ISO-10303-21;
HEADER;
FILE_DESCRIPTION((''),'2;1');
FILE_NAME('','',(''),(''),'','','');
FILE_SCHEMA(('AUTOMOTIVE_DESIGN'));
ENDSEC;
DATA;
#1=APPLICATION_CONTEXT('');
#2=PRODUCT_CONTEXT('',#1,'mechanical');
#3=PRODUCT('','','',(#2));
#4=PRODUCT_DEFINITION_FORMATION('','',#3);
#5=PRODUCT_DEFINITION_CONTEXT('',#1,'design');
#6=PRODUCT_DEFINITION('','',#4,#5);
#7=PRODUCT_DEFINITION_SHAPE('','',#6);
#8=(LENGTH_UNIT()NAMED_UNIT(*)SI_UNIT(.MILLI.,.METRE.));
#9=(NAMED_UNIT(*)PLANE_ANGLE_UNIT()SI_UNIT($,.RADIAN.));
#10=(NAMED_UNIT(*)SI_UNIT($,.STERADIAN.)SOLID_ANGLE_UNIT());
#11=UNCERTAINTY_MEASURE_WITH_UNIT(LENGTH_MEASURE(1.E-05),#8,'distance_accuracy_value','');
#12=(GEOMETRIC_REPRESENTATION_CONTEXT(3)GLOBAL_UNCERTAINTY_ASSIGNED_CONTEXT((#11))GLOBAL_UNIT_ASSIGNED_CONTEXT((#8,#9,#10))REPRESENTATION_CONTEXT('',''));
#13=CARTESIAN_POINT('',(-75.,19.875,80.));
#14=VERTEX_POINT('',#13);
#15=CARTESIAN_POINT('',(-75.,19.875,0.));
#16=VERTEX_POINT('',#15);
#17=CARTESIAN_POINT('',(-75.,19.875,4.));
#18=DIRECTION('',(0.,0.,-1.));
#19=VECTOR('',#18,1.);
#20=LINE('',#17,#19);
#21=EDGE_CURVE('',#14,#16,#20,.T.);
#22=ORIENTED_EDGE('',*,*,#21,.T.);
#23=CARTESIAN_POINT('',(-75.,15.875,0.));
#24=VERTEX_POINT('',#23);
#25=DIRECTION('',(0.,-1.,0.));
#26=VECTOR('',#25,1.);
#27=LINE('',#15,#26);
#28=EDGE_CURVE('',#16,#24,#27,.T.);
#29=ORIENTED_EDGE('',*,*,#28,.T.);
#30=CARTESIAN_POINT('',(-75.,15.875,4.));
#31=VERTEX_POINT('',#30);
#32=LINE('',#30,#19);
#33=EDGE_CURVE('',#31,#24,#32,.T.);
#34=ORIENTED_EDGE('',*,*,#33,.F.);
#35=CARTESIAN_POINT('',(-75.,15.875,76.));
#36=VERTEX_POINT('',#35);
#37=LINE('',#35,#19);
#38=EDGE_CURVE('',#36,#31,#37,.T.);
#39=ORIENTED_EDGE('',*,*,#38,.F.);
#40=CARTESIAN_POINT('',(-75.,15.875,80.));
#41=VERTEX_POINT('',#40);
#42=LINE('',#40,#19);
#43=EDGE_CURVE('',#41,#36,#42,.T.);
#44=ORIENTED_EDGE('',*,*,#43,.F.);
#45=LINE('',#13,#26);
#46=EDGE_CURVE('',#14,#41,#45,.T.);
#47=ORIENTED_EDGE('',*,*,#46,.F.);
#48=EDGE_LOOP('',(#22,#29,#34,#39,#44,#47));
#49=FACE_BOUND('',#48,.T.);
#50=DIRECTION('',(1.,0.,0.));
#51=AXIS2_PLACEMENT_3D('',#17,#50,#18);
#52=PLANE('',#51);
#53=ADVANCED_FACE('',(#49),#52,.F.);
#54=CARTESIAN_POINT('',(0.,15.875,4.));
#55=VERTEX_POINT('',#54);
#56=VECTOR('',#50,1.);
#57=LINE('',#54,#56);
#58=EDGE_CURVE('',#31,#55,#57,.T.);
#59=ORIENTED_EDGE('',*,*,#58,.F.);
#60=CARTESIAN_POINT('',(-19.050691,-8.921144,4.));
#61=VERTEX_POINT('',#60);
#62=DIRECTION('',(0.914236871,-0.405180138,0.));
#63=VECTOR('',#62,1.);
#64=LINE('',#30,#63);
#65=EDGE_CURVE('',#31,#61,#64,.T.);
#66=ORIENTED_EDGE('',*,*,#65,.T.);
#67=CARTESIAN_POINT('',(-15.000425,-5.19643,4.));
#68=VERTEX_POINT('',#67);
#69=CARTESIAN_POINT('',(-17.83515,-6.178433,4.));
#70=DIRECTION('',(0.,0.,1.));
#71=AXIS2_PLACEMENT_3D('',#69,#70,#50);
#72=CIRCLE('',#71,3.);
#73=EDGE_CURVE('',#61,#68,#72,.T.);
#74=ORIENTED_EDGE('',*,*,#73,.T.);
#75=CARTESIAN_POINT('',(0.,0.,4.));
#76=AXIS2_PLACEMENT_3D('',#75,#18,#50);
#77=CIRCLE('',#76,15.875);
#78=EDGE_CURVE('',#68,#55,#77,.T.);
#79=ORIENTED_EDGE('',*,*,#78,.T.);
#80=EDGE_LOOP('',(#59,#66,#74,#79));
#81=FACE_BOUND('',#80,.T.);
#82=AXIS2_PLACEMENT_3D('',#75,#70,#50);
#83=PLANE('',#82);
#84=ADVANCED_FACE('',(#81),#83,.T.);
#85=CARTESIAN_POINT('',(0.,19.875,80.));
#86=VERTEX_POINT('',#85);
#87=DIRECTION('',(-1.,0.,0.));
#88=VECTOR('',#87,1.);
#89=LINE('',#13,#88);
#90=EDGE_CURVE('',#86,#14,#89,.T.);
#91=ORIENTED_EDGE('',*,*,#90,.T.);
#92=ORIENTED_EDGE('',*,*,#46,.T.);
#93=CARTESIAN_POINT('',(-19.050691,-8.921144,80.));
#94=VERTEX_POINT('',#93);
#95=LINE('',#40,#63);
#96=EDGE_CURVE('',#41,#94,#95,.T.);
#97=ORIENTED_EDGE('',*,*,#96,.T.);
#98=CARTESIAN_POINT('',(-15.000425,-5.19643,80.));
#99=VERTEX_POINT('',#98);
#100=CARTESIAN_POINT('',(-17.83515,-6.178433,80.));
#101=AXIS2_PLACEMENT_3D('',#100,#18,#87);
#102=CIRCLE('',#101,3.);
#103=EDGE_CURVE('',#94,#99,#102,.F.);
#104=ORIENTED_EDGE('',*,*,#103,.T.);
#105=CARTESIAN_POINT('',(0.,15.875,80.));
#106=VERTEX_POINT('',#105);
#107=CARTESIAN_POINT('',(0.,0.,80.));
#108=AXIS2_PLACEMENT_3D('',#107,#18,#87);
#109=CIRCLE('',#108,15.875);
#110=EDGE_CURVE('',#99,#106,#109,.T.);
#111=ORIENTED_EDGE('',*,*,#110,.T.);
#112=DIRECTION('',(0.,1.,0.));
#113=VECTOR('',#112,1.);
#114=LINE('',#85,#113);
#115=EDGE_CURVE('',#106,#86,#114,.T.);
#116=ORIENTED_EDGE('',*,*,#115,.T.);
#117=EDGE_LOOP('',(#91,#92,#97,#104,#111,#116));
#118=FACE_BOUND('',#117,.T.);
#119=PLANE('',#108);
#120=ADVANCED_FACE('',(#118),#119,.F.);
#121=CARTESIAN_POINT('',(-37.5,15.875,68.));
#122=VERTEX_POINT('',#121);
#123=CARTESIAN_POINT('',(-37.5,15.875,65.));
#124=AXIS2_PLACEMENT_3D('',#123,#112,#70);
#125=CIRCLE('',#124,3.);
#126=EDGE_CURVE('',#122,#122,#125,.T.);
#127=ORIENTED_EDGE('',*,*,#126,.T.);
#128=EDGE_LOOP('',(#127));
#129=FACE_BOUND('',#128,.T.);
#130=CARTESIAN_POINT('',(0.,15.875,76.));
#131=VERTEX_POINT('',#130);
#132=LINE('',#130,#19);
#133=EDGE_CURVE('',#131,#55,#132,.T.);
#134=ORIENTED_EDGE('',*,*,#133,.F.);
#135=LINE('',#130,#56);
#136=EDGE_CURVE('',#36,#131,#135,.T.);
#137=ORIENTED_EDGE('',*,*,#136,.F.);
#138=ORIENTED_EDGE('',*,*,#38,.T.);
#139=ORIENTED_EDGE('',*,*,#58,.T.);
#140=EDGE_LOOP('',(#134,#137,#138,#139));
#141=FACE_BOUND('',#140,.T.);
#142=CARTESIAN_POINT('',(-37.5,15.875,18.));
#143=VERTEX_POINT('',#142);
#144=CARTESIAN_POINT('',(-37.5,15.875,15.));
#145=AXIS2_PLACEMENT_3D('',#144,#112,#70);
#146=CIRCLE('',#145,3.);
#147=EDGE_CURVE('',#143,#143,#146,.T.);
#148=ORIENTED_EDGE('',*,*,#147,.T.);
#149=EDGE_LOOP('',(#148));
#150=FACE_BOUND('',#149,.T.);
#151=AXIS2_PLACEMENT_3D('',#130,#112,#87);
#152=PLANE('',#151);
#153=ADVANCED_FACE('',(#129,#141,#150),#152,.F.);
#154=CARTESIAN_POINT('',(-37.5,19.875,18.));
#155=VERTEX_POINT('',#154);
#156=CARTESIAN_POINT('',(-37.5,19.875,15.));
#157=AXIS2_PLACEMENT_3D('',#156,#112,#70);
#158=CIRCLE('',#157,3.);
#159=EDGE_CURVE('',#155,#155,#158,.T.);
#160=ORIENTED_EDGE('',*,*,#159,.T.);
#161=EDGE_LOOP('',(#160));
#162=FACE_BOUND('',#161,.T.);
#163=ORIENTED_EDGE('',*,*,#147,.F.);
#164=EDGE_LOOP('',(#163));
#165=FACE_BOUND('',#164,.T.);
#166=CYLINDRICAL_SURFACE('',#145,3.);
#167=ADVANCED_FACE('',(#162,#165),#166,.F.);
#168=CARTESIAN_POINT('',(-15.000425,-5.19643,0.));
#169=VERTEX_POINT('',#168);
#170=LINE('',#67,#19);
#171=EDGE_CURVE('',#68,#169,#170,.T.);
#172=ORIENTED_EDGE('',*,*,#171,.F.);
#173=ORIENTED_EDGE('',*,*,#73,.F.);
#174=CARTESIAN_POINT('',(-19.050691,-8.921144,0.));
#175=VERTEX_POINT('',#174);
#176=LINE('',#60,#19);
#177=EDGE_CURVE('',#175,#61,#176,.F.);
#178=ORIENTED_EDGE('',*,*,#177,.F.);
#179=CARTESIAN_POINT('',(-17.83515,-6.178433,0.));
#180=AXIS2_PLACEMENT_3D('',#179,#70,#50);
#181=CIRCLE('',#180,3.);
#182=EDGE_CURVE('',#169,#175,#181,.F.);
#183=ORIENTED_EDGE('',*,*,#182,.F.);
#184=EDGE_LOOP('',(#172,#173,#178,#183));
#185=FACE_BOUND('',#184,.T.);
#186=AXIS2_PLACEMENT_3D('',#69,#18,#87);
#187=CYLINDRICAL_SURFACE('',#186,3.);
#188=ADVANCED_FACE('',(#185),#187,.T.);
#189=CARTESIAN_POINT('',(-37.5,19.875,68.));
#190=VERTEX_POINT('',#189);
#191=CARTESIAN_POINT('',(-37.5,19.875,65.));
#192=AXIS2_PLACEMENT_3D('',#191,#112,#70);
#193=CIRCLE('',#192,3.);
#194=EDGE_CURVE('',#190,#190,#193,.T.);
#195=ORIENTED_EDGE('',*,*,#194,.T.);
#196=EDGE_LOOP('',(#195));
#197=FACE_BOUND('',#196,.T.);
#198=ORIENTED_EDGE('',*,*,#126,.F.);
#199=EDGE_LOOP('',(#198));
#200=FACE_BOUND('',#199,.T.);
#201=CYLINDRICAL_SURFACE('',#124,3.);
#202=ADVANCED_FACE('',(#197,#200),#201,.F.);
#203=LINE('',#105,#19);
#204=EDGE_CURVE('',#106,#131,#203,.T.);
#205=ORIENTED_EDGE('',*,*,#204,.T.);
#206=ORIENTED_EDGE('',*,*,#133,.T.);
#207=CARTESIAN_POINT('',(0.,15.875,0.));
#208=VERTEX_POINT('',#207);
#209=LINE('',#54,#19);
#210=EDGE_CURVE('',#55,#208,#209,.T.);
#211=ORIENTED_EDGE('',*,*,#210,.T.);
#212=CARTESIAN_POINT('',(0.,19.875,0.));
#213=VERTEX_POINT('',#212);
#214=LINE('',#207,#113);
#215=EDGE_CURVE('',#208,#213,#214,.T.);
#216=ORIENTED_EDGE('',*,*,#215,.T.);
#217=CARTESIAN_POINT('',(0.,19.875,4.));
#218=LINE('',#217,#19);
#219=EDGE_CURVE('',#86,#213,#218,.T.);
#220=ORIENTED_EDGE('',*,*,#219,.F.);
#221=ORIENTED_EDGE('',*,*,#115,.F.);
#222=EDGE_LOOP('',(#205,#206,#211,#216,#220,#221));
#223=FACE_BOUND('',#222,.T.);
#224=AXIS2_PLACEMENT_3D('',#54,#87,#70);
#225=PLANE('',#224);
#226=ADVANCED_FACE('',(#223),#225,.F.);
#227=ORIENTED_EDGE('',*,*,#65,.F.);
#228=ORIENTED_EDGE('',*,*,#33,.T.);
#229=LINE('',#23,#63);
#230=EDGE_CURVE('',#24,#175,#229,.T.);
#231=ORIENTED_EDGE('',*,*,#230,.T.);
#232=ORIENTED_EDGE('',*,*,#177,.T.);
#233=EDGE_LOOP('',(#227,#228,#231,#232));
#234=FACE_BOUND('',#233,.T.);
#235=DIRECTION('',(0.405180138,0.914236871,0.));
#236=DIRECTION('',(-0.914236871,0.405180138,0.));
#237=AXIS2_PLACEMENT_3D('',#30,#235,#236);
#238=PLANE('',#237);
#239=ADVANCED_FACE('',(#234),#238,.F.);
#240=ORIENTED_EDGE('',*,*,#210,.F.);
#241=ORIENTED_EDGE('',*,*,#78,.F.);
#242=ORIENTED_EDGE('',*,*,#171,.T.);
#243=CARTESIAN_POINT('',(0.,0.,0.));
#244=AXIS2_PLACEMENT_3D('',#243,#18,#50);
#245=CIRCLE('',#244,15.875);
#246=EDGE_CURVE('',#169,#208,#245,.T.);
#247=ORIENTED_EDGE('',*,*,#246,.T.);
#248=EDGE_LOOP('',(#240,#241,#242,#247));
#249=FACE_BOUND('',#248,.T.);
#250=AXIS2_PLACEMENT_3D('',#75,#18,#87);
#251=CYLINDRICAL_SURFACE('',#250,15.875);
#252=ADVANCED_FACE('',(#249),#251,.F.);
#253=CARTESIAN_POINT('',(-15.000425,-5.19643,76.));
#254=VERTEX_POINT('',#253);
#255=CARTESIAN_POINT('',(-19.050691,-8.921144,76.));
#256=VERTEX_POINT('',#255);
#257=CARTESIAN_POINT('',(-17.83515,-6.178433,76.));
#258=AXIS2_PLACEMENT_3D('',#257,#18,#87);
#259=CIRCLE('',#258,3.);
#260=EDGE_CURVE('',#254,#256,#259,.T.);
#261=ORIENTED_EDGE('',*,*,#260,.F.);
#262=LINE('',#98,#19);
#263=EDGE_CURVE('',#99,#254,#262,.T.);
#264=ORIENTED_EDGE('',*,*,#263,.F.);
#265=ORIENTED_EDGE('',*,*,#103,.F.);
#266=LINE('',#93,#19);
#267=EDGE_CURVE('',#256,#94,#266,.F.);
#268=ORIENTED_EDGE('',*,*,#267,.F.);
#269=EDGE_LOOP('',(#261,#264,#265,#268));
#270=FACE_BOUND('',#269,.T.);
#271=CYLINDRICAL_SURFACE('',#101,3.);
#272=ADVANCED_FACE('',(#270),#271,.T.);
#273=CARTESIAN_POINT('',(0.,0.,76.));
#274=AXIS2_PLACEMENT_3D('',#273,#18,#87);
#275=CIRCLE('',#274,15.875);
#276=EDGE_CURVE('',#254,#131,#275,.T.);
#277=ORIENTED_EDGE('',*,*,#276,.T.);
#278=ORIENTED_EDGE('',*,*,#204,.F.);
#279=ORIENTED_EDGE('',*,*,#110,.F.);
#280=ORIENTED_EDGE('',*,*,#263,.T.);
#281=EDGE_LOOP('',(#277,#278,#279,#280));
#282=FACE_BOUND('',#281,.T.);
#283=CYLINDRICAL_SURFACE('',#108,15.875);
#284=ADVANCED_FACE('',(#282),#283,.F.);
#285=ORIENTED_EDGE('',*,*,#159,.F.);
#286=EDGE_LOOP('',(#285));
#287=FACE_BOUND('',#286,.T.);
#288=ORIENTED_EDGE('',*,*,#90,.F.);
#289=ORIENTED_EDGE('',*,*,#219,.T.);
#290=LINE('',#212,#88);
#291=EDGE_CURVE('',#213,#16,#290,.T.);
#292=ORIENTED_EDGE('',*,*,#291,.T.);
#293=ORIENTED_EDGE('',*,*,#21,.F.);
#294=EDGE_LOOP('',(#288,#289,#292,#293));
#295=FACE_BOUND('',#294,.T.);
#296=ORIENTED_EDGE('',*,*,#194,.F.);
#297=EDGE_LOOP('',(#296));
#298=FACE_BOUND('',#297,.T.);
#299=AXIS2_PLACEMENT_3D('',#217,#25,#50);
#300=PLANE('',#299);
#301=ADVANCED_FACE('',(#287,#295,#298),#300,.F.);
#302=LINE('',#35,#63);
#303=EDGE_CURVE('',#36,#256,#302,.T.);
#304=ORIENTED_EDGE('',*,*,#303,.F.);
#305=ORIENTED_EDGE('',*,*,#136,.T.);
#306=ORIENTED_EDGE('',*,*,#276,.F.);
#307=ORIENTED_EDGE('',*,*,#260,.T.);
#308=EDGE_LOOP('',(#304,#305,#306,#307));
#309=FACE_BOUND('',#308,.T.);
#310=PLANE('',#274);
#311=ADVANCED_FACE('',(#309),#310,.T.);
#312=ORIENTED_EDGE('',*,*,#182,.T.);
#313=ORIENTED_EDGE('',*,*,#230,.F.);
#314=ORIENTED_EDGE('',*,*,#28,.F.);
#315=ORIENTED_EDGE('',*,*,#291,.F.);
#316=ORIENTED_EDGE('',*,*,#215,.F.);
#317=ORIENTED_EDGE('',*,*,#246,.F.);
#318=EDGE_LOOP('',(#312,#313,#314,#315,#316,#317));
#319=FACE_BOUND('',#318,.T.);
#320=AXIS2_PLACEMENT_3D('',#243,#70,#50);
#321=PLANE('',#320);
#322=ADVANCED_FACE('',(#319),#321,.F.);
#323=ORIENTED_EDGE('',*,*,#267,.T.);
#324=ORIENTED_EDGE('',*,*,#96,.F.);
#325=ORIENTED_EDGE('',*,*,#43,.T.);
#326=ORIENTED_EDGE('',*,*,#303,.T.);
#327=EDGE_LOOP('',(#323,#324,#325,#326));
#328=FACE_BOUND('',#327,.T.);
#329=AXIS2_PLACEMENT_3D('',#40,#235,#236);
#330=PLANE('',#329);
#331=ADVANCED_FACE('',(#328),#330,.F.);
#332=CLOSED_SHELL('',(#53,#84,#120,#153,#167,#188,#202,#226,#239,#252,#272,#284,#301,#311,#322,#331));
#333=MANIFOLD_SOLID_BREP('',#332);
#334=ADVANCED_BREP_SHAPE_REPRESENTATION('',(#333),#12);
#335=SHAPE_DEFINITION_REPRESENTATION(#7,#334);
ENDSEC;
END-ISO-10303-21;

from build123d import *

# Parameters (mm, degrees)
BOSS_EXTRUDE1_DEPTH = 4
SKETCH2_W           = 75
SKETCH2_H           = 4
BOSS_EXTRUDE2_DEPTH = 72
BOSS_EXTRUDE3_DEPTH = 4
SKETCH5_R           = 3
CUT_EXTRUDE1_DEPTH  = 4
FILLET1_R           = 3


with BuildPart() as part:
    # Sketch1 → Boss-Extrude1 (new body)
    with BuildSketch(Plane.XY):
        with BuildLine():
            Line((0, 15.875), (0, 19.875))
            Line((0, 19.875), (-75, 19.875))
            Line((-75, 19.875), (-75, 15.875))
            Line((-75, 15.875), (-6.432235, -14.51351))
            ThreePointArc((-6.432235, -14.51351), (-15.530898, 3.287373), (0, 15.875))
        make_face()
    extrude(amount=BOSS_EXTRUDE1_DEPTH)

    # Sketch2 → Boss-Extrude2 (add)
    with BuildSketch(Plane.XY.offset(4)):
        with Locations((-37.5, 17.875)):
            Rectangle(SKETCH2_W, SKETCH2_H)
    extrude(amount=BOSS_EXTRUDE2_DEPTH)

    # Sketch4 → Boss-Extrude3 (add)
    with BuildSketch(Plane.XY.offset(76)):
        with BuildLine():
            Line((-75, 19.875), (-75, 15.875))
            Line((-75, 15.875), (-6.432235, -14.51351))
            ThreePointArc((-6.432235, -14.51351), (-15.530898, 3.287373), (0, 15.875))
            Line((0, 15.875), (0, 19.875))
            Line((0, 19.875), (-75, 19.875))
        make_face()
    extrude(amount=BOSS_EXTRUDE3_DEPTH)

    # Sketch5 → Cut-Extrude1 (cut)
    with BuildSketch(Plane(origin=(0, 19.875, 0), x_dir=(1, 0, 0), z_dir=(0, 1, 0))):
        with Locations(Location((-37.5, -15, 0), (0, 0, 270))):
            Circle(SKETCH5_R)
        with Locations(Location((-37.5, -65, 0), (0, 0, 270))):
            Circle(SKETCH5_R)
    extrude(amount=-CUT_EXTRUDE1_DEPTH, mode=Mode.SUBTRACT)

    # Fillet1
    fillet1_edges = [part.edges().sort_by_distance(p)[0] for p in [
        (-6.432235, -14.51351, 78),
        (-6.432235, -14.51351, 2),
    ]]
    fillet(fillet1_edges, radius=FILLET1_R)


solid = part.part
